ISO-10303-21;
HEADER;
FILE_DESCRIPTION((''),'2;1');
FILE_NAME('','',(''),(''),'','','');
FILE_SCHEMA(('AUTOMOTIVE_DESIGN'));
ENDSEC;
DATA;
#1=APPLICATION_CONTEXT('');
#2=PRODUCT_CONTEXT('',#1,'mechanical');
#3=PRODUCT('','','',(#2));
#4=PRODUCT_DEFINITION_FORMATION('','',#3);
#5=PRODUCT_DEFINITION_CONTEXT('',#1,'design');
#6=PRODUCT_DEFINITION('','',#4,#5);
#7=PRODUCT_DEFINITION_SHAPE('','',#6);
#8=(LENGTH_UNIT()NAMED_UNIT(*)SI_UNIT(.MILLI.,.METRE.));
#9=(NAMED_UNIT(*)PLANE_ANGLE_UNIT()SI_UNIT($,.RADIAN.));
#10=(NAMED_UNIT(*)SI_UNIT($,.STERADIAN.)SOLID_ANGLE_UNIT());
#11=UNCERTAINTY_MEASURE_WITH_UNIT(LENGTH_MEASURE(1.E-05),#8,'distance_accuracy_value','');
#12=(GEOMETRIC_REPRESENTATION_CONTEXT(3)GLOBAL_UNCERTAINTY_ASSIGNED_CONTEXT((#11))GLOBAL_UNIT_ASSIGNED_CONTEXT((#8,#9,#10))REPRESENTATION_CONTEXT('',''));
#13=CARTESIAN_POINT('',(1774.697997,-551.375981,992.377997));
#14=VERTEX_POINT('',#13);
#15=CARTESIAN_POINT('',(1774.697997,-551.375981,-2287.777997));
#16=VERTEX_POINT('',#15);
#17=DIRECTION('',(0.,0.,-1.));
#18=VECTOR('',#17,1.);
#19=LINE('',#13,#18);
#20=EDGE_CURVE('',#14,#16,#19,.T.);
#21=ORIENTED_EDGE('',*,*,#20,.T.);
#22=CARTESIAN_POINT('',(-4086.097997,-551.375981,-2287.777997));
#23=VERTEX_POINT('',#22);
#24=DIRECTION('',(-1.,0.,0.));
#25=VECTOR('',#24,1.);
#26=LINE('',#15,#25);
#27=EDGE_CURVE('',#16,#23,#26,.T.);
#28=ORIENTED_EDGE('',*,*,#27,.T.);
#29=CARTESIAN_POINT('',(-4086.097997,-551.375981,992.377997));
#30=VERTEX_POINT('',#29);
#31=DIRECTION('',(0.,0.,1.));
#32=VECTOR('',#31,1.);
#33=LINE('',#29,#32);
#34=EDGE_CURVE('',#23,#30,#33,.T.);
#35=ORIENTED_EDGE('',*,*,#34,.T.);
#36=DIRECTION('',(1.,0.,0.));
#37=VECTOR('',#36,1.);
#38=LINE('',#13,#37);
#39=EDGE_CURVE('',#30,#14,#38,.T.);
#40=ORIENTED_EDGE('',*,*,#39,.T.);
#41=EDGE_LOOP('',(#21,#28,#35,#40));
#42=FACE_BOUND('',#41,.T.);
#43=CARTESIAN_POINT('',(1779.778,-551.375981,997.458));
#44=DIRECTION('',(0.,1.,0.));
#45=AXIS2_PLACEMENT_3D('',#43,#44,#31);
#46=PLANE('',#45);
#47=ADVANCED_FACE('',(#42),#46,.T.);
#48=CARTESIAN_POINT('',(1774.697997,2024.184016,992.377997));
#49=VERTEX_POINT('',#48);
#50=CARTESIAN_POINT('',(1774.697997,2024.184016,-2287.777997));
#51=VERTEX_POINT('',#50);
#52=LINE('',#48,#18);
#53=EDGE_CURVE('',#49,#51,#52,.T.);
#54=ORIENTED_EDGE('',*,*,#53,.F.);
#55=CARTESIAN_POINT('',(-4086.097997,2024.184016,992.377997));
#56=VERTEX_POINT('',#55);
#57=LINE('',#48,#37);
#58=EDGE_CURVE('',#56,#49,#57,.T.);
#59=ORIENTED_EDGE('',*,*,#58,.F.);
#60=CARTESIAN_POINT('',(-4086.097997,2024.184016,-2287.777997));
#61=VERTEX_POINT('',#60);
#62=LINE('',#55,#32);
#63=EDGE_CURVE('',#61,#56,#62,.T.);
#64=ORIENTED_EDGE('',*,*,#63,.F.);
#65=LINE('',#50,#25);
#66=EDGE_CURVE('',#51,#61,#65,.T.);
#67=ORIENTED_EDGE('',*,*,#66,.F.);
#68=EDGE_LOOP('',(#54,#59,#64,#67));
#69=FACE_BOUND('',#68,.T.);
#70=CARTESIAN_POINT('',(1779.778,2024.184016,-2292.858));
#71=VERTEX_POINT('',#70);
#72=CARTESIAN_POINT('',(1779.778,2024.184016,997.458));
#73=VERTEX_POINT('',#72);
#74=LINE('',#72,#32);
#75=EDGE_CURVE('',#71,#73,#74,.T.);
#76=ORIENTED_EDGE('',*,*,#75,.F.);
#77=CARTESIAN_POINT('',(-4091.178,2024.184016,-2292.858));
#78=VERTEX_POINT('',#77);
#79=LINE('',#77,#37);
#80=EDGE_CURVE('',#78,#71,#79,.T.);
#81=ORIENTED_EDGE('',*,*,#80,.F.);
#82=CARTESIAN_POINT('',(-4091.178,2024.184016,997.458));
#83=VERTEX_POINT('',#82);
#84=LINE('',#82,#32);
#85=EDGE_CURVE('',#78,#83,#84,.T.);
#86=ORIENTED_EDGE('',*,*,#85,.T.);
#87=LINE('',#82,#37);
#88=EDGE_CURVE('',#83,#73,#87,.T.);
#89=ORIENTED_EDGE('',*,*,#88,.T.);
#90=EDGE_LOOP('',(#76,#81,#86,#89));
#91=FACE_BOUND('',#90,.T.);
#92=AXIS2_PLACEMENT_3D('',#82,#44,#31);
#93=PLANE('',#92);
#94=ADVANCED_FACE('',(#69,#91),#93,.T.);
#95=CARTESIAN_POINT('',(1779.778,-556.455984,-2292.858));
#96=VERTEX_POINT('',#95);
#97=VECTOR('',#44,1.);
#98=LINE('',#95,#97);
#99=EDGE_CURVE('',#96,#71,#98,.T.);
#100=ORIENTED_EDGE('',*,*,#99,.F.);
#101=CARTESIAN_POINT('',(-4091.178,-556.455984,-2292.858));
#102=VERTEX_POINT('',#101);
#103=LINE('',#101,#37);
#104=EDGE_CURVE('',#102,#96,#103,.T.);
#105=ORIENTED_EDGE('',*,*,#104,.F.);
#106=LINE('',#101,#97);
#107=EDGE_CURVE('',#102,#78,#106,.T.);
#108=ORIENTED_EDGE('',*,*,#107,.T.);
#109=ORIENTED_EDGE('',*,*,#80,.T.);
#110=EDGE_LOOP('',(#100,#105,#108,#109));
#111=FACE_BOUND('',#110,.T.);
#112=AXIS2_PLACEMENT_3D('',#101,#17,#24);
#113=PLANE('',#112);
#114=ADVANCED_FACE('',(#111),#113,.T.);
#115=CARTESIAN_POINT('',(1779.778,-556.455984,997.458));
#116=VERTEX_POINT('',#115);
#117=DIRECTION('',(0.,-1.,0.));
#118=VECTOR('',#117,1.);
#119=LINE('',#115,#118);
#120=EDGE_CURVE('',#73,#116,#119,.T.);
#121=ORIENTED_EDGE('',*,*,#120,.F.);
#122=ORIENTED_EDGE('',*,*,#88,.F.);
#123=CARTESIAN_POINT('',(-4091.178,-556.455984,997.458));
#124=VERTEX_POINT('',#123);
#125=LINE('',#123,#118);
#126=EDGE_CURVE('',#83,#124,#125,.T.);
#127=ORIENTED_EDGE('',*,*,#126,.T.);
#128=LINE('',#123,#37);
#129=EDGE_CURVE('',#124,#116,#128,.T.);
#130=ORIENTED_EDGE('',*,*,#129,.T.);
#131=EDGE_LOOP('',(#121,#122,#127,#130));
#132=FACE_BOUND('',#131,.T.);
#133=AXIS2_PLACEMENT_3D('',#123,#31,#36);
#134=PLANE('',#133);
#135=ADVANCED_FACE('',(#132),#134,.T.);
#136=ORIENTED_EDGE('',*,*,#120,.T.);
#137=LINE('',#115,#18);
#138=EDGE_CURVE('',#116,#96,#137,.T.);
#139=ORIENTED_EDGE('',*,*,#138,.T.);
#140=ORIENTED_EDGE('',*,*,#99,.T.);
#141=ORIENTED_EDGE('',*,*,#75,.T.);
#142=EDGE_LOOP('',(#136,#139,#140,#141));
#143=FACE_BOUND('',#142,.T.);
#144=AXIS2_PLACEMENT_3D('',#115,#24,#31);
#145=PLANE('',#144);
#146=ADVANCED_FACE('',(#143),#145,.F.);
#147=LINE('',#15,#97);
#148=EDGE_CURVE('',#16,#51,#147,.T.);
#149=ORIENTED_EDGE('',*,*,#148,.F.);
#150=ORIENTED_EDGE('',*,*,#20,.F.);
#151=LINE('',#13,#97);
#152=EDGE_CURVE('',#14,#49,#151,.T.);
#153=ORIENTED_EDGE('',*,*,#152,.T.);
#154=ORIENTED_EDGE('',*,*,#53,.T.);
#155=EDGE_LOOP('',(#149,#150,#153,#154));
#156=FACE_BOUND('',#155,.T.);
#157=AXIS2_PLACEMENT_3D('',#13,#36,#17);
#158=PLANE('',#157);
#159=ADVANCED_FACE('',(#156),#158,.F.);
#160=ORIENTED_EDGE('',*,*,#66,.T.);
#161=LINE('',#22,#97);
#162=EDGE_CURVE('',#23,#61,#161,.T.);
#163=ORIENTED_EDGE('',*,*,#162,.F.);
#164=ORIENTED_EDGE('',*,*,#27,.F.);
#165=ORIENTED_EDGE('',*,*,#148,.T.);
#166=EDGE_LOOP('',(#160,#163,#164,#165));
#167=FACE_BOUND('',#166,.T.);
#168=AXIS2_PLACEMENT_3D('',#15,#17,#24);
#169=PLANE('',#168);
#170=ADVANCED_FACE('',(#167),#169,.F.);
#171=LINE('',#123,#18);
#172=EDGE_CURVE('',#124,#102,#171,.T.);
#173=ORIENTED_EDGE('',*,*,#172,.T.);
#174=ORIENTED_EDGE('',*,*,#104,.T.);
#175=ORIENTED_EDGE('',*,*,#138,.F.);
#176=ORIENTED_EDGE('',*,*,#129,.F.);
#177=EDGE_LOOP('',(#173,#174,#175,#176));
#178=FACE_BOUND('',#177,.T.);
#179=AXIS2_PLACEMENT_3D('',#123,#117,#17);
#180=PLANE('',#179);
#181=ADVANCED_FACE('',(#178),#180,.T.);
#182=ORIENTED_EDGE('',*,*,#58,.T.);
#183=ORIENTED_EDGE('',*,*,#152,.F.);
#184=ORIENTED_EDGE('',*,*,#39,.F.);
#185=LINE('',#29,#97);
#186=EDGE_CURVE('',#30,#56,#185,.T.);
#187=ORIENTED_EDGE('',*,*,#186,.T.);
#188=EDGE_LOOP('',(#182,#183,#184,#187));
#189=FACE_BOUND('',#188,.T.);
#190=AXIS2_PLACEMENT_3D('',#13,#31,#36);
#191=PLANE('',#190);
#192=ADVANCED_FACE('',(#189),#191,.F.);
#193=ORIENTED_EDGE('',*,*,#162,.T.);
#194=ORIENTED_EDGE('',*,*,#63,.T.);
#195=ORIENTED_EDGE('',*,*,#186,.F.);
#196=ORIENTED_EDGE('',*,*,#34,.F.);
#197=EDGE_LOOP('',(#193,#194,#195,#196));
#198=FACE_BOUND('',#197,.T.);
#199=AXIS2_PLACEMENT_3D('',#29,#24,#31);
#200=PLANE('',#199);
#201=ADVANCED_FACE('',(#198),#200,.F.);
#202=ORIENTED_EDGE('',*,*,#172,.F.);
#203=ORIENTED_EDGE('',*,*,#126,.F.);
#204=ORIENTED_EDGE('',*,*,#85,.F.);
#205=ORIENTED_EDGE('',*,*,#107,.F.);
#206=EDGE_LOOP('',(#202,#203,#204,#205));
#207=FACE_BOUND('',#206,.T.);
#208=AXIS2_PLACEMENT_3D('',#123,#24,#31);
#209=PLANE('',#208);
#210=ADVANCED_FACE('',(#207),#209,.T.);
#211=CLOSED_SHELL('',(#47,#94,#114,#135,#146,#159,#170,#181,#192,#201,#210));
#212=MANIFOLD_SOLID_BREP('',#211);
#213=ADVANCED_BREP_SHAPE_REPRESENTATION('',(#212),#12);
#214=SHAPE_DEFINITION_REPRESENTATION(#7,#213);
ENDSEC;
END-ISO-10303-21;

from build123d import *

# Parameters (mm, degrees)
SKETCH1_W           = 1295.4
SKETCH1_H           = 1016
BOSS_EXTRUDE1_DEPTH = 2311.4
SKETCH2_W           = 2307.39999784
SKETCH2_H           = 1291.39999784
CUT_EXTRUDE1_DEPTH  = 1013.99999892
SCALE1_SCALE        = 2.54


with BuildPart() as part:
    # Sketch1 → Boss-Extrude1 (new body)
    with BuildSketch(Plane(origin=(0, 0, 0), x_dir=(0, 0, -1), z_dir=(1, 0, 0))):
        with Locations((647.7, 508)):
            Rectangle(SKETCH1_W, SKETCH1_H)
    extrude(amount=-BOSS_EXTRUDE1_DEPTH)

    # Sketch2 → Cut-Extrude1 (cut)
    with BuildSketch(Plane(origin=(0, 1016, 0), x_dir=(1, 0, 0), z_dir=(0, 1, 0))):
        with Locations((-1155.7, 647.7)):
            Rectangle(SKETCH2_W, SKETCH2_H)
    extrude(amount=-CUT_EXTRUDE1_DEPTH, mode=Mode.SUBTRACT)


with BuildPart() as part_1:
    # Scale1: scaled about (-1155.7, 361.335054586, -647.7)
    add(part.part.scale(SCALE1_SCALE).moved(Location((1779.778, -556.455984062, 997.458))))


solid = part_1.part
